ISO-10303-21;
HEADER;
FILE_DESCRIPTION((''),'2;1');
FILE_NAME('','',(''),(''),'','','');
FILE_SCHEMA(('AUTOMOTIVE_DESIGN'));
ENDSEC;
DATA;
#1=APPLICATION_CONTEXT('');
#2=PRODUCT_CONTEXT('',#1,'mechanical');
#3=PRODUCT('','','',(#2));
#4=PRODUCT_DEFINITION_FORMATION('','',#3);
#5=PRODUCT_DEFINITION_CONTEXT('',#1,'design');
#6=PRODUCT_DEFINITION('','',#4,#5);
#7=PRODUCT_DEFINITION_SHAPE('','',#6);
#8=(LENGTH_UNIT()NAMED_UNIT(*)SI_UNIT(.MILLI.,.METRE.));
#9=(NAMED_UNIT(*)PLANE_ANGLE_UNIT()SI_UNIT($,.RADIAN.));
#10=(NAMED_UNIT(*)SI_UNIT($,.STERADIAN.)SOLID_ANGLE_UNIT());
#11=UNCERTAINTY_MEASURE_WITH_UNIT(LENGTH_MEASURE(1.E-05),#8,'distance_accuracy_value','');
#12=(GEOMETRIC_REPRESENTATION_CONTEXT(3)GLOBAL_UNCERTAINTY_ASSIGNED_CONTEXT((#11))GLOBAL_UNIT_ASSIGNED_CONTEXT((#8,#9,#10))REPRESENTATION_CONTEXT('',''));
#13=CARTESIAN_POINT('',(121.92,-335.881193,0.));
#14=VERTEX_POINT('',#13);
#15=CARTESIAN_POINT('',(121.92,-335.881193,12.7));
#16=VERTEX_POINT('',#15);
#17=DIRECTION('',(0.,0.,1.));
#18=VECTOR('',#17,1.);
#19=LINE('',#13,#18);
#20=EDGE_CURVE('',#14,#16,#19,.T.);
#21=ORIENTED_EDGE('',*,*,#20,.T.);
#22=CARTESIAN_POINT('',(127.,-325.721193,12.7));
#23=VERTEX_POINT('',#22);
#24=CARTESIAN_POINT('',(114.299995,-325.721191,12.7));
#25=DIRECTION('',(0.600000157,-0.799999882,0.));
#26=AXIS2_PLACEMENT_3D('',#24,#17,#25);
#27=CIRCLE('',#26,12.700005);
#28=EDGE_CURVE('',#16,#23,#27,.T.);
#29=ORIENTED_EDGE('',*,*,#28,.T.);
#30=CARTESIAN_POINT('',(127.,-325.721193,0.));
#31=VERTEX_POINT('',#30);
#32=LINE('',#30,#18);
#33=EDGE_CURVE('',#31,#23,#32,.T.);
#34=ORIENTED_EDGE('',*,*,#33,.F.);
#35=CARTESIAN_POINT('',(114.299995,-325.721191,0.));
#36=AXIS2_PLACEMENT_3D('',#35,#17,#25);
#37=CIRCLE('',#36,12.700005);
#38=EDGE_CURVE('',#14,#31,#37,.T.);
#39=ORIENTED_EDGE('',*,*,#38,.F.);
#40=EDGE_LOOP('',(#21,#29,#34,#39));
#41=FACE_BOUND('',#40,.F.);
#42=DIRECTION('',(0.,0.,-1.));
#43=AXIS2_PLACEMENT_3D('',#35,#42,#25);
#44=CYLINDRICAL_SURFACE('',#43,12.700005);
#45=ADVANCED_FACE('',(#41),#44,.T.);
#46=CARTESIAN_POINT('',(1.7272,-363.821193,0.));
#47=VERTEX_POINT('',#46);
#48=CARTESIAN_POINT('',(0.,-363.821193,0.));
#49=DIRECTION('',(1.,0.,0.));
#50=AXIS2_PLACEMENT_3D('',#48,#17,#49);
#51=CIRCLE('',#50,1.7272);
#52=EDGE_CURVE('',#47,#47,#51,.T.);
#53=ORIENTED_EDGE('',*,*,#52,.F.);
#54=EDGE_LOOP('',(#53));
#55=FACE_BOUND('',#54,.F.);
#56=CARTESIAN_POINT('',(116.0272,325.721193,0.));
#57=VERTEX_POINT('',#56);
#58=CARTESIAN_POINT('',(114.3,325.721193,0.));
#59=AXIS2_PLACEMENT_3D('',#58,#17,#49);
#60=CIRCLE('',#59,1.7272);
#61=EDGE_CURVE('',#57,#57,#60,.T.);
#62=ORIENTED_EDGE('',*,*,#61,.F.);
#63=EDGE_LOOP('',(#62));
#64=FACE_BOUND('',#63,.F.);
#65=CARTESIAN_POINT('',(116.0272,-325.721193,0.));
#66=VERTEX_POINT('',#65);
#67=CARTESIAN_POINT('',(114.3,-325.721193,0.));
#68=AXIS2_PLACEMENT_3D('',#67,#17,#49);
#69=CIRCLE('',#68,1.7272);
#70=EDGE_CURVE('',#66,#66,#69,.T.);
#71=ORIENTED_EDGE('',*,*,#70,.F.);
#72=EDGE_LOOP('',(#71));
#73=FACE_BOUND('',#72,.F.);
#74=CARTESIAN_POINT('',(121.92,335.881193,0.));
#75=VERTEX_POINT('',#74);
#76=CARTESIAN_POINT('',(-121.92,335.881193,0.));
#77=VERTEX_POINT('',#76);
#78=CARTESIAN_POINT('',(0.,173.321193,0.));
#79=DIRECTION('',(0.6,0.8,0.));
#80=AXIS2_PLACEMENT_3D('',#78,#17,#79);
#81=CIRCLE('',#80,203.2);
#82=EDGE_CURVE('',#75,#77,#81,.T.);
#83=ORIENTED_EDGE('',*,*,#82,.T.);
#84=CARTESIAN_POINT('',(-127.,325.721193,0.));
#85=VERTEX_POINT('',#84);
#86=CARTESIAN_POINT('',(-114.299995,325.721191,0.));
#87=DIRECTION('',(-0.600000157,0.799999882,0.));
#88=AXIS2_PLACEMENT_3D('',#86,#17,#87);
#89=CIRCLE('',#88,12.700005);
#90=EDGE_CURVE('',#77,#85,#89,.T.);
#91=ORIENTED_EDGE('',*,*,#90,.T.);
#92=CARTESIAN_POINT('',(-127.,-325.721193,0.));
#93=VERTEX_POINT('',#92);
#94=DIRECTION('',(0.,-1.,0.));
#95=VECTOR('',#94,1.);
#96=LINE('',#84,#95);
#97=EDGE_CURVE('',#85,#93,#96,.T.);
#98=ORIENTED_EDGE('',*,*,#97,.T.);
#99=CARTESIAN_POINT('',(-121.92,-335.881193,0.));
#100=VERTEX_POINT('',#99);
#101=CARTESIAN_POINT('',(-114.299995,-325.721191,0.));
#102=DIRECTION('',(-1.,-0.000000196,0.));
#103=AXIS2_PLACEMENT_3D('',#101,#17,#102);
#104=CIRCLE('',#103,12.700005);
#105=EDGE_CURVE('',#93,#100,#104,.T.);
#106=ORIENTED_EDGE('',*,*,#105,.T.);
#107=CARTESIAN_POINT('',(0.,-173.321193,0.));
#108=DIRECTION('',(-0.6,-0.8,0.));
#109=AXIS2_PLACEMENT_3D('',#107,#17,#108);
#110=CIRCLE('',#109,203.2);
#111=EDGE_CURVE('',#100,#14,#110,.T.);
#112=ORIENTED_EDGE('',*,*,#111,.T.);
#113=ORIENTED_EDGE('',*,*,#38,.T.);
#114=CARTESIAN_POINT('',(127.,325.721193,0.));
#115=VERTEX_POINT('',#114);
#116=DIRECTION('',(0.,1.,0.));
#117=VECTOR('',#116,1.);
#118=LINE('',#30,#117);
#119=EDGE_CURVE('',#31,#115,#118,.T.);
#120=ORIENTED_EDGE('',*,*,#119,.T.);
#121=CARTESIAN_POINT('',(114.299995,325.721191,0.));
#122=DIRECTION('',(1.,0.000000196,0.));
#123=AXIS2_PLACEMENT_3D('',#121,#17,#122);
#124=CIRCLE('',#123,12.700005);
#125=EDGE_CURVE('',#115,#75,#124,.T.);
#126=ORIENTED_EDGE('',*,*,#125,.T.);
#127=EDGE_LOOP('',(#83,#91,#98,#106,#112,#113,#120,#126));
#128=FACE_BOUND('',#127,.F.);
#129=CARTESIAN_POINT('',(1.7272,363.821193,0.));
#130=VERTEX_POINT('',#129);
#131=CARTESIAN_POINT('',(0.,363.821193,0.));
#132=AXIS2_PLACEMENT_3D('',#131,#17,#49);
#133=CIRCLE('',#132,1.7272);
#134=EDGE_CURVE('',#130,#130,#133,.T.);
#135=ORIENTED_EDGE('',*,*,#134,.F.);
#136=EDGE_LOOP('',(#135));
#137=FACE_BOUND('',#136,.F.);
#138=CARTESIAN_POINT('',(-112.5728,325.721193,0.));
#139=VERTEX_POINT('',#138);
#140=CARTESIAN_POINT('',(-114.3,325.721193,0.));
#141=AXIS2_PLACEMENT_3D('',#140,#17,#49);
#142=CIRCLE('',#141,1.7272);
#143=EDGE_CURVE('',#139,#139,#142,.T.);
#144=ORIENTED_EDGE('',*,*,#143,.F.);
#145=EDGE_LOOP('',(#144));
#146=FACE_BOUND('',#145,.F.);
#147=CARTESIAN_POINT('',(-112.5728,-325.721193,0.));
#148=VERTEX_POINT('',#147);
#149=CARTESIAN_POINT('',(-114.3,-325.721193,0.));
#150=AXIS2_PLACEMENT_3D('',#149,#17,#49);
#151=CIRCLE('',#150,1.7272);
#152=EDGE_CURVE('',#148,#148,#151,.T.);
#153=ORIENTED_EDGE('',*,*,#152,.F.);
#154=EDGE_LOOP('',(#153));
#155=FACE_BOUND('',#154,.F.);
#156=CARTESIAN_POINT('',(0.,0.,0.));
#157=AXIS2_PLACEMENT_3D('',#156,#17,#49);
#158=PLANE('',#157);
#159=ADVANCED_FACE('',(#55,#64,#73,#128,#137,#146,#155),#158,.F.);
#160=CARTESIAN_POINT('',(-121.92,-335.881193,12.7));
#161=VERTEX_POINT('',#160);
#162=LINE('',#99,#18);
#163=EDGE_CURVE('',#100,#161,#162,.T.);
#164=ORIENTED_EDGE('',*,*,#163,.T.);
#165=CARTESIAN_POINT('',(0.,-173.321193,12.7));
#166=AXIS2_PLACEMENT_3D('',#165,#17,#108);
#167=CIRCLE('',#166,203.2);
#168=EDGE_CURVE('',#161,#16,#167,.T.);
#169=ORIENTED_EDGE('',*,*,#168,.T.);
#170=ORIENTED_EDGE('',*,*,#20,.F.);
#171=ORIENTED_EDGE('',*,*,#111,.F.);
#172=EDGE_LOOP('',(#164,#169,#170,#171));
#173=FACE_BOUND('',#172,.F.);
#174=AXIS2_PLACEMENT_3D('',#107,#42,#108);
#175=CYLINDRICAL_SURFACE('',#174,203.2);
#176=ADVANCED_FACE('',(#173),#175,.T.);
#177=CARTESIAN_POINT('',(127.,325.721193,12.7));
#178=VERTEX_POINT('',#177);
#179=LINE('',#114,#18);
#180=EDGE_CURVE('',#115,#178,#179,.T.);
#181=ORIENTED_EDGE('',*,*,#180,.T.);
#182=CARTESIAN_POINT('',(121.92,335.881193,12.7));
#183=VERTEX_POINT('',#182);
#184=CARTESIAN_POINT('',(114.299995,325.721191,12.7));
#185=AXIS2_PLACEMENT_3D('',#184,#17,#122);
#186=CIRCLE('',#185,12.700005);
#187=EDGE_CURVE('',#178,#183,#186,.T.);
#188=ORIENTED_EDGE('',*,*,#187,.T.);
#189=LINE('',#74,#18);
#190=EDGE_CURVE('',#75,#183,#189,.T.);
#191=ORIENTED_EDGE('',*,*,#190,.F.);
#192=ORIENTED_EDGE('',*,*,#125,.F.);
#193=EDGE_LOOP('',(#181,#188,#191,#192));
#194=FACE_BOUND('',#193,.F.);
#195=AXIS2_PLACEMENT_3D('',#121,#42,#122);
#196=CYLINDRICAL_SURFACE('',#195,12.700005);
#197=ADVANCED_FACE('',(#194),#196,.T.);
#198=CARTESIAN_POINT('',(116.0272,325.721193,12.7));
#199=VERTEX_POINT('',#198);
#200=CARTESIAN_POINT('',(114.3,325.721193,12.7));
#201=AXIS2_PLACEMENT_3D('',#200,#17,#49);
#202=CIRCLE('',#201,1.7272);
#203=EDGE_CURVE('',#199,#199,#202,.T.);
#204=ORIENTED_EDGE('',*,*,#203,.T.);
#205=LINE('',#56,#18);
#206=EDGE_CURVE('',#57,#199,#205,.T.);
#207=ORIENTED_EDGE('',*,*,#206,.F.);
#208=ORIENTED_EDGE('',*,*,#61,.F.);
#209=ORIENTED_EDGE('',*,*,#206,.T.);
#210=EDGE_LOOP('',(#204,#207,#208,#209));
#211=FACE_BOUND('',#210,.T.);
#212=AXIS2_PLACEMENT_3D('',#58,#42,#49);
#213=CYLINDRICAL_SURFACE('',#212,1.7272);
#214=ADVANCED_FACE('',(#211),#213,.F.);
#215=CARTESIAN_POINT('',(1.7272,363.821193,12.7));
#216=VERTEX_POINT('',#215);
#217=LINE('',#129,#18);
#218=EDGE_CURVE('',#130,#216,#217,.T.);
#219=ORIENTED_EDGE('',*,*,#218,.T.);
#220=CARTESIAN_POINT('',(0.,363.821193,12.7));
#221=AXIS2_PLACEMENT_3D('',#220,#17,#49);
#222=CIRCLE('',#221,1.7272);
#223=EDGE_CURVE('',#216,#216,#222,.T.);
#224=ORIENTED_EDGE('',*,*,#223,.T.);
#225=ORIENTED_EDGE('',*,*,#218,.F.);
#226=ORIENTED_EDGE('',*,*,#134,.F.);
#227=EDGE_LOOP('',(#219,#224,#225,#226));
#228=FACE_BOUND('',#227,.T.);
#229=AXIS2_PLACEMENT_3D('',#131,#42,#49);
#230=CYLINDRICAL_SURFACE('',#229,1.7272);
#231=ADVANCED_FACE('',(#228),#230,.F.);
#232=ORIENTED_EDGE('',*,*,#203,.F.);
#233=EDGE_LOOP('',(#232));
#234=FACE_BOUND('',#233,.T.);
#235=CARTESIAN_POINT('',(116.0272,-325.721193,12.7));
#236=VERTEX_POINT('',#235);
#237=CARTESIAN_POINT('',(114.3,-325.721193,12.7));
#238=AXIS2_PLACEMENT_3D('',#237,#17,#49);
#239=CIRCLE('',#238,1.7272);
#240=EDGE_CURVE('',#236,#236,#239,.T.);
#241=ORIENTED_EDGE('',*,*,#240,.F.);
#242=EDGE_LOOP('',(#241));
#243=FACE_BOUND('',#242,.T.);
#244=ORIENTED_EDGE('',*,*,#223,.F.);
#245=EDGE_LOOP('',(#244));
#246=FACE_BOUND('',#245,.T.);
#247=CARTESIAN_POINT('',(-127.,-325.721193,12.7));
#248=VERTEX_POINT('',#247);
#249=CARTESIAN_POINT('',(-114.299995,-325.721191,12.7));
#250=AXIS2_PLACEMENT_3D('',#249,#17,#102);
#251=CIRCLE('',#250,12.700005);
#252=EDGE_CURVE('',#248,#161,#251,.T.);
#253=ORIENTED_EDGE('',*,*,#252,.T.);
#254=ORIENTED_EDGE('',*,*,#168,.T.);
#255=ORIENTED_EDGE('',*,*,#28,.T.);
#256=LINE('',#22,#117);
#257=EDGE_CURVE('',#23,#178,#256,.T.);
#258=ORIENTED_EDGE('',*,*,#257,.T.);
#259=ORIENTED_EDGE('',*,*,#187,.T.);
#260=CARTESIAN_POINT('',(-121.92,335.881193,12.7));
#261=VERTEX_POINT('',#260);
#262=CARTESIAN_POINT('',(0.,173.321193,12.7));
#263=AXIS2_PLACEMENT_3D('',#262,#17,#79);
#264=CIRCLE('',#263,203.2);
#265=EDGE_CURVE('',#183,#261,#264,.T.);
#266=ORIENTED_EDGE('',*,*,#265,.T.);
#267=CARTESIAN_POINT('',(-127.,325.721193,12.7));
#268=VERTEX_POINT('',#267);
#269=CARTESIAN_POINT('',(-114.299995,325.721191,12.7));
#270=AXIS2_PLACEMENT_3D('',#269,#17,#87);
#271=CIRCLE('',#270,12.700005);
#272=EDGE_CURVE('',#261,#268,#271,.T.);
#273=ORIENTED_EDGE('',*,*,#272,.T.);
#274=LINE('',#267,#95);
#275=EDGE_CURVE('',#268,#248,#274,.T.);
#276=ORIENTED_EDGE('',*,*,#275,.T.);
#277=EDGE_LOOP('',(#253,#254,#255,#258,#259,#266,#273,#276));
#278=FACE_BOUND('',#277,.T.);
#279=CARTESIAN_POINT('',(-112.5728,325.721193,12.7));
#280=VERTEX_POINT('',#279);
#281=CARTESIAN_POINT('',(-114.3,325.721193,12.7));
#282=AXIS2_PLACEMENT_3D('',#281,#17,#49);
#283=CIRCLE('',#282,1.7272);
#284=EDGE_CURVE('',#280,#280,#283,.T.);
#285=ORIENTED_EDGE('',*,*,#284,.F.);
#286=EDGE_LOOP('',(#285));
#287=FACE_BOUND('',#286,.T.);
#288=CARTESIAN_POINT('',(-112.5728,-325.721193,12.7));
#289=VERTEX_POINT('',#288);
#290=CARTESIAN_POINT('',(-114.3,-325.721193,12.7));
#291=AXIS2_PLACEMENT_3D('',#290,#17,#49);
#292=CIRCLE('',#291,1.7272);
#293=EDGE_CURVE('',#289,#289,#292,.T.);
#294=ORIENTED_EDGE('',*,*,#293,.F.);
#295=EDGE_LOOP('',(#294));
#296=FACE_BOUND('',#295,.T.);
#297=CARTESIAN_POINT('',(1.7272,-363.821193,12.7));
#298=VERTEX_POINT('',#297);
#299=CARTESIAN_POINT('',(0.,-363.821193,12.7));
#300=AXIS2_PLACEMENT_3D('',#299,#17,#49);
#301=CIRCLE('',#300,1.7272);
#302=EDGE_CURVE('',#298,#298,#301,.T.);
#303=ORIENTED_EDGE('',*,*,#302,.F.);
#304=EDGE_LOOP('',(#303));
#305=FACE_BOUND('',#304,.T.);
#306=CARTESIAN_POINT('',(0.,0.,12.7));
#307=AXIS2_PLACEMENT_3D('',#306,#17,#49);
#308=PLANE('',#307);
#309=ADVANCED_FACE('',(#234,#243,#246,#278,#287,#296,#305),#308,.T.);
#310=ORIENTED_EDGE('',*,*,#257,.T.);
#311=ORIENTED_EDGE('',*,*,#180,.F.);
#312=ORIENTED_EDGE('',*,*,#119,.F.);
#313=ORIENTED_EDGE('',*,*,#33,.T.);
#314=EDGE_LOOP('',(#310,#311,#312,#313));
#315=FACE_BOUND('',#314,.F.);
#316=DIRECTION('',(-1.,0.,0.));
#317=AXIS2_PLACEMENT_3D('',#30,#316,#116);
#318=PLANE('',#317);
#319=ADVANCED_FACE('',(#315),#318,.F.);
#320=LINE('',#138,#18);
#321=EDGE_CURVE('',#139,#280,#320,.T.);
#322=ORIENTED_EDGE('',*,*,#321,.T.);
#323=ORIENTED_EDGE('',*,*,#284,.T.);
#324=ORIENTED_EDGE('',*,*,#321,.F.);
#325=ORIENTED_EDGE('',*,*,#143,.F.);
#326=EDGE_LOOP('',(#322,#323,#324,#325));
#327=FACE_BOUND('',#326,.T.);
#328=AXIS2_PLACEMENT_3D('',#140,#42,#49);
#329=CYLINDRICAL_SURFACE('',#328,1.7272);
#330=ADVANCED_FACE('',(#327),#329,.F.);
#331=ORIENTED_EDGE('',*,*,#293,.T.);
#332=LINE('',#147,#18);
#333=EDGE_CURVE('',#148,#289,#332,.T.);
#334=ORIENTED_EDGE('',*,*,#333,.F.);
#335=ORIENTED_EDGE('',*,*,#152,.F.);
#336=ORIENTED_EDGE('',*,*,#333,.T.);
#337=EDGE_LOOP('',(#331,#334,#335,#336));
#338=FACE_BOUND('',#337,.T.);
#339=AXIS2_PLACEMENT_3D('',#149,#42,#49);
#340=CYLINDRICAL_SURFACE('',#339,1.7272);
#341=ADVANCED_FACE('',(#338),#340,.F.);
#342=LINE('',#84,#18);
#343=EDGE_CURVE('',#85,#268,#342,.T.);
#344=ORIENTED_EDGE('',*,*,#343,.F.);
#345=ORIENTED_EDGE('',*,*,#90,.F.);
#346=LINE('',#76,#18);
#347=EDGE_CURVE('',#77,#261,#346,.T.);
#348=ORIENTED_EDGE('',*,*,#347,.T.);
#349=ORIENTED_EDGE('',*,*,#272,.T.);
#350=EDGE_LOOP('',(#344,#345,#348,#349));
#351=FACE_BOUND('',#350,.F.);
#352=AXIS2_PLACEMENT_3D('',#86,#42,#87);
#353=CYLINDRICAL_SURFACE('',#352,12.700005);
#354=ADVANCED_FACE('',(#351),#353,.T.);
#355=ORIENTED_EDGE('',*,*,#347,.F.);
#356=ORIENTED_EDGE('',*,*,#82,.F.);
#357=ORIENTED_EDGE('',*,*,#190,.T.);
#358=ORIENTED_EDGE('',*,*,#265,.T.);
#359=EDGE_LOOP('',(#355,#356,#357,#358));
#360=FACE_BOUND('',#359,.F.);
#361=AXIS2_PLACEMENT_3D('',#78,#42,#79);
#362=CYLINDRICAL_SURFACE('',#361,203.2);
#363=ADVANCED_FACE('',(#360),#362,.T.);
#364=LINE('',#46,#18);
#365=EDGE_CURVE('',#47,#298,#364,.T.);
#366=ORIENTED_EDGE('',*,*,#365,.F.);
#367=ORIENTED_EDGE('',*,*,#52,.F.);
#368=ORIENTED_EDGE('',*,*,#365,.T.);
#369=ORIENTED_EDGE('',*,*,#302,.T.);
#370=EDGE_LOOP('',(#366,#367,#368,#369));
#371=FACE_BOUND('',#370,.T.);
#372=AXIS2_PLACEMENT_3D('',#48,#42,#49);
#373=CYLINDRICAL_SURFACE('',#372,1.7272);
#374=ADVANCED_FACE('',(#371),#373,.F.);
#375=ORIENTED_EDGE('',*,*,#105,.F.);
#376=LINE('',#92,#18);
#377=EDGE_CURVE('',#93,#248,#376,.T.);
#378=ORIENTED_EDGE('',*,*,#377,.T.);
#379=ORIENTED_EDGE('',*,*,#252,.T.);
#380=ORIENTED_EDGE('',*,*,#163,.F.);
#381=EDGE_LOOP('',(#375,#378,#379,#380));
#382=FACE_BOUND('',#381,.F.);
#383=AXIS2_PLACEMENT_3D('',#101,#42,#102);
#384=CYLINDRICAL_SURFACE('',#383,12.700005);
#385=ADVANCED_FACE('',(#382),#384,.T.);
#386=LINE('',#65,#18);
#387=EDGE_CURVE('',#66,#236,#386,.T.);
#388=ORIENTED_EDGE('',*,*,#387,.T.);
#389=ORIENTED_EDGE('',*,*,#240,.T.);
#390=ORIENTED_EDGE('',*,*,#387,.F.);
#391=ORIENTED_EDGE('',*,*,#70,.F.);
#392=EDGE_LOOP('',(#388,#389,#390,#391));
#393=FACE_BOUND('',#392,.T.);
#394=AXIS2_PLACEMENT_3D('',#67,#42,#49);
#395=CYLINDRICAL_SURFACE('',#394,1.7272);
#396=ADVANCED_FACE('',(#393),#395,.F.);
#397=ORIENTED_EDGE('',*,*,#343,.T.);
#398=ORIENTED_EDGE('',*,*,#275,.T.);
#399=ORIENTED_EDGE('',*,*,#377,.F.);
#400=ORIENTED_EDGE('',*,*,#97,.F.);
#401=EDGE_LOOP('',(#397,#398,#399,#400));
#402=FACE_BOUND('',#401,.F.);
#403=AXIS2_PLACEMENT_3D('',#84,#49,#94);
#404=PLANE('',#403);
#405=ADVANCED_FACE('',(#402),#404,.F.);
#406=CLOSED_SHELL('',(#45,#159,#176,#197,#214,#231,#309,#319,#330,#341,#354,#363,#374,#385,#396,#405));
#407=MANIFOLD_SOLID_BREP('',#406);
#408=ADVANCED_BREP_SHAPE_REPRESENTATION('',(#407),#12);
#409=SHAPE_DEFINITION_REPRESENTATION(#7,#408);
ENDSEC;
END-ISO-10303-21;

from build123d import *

# Parameters (mm, degrees)
F0_R     = 1.7272
F1_DEPTH = 12.7


with BuildPart() as f1:
    # F0 (on Top) → F1 (new body)
    with BuildSketch(Plane.XY):
        with BuildLine():
            Line((127, -325.721193), (127, 325.721193))
            ThreePointArc((127, 325.721193), (125.659225, 331.400805), (121.92, 335.881193))
            ThreePointArc((121.92, 335.881193), (0, 376.521193), (-121.92, 335.881193))
            ThreePointArc((-121.92, 335.881193), (-125.659225, 331.400805), (-127, 325.721193))
            Line((-127, 325.721193), (-127, -325.721193))
            ThreePointArc((-127, -325.721193), (-125.659225, -331.400805), (-121.92, -335.881193))
            ThreePointArc((-121.92, -335.881193), (0, -376.521193), (121.92, -335.881193))
            ThreePointArc((121.92, -335.881193), (125.659225, -331.400805), (127, -325.721193))
        make_face()
        with Locations((-114.3, -325.721193)):
            Circle(F0_R, mode=Mode.SUBTRACT)
        with Locations((0, -363.821193)):
            Circle(F0_R, mode=Mode.SUBTRACT)
        with Locations((114.3, -325.721193)):
            Circle(F0_R, mode=Mode.SUBTRACT)
        with Locations((-114.3, 325.721193)):
            Circle(F0_R, mode=Mode.SUBTRACT)
        with Locations((0, 363.821193)):
            Circle(F0_R, mode=Mode.SUBTRACT)
        with Locations((114.3, 325.721193)):
            Circle(F0_R, mode=Mode.SUBTRACT)
    extrude(amount=F1_DEPTH)


solid = f1.part
